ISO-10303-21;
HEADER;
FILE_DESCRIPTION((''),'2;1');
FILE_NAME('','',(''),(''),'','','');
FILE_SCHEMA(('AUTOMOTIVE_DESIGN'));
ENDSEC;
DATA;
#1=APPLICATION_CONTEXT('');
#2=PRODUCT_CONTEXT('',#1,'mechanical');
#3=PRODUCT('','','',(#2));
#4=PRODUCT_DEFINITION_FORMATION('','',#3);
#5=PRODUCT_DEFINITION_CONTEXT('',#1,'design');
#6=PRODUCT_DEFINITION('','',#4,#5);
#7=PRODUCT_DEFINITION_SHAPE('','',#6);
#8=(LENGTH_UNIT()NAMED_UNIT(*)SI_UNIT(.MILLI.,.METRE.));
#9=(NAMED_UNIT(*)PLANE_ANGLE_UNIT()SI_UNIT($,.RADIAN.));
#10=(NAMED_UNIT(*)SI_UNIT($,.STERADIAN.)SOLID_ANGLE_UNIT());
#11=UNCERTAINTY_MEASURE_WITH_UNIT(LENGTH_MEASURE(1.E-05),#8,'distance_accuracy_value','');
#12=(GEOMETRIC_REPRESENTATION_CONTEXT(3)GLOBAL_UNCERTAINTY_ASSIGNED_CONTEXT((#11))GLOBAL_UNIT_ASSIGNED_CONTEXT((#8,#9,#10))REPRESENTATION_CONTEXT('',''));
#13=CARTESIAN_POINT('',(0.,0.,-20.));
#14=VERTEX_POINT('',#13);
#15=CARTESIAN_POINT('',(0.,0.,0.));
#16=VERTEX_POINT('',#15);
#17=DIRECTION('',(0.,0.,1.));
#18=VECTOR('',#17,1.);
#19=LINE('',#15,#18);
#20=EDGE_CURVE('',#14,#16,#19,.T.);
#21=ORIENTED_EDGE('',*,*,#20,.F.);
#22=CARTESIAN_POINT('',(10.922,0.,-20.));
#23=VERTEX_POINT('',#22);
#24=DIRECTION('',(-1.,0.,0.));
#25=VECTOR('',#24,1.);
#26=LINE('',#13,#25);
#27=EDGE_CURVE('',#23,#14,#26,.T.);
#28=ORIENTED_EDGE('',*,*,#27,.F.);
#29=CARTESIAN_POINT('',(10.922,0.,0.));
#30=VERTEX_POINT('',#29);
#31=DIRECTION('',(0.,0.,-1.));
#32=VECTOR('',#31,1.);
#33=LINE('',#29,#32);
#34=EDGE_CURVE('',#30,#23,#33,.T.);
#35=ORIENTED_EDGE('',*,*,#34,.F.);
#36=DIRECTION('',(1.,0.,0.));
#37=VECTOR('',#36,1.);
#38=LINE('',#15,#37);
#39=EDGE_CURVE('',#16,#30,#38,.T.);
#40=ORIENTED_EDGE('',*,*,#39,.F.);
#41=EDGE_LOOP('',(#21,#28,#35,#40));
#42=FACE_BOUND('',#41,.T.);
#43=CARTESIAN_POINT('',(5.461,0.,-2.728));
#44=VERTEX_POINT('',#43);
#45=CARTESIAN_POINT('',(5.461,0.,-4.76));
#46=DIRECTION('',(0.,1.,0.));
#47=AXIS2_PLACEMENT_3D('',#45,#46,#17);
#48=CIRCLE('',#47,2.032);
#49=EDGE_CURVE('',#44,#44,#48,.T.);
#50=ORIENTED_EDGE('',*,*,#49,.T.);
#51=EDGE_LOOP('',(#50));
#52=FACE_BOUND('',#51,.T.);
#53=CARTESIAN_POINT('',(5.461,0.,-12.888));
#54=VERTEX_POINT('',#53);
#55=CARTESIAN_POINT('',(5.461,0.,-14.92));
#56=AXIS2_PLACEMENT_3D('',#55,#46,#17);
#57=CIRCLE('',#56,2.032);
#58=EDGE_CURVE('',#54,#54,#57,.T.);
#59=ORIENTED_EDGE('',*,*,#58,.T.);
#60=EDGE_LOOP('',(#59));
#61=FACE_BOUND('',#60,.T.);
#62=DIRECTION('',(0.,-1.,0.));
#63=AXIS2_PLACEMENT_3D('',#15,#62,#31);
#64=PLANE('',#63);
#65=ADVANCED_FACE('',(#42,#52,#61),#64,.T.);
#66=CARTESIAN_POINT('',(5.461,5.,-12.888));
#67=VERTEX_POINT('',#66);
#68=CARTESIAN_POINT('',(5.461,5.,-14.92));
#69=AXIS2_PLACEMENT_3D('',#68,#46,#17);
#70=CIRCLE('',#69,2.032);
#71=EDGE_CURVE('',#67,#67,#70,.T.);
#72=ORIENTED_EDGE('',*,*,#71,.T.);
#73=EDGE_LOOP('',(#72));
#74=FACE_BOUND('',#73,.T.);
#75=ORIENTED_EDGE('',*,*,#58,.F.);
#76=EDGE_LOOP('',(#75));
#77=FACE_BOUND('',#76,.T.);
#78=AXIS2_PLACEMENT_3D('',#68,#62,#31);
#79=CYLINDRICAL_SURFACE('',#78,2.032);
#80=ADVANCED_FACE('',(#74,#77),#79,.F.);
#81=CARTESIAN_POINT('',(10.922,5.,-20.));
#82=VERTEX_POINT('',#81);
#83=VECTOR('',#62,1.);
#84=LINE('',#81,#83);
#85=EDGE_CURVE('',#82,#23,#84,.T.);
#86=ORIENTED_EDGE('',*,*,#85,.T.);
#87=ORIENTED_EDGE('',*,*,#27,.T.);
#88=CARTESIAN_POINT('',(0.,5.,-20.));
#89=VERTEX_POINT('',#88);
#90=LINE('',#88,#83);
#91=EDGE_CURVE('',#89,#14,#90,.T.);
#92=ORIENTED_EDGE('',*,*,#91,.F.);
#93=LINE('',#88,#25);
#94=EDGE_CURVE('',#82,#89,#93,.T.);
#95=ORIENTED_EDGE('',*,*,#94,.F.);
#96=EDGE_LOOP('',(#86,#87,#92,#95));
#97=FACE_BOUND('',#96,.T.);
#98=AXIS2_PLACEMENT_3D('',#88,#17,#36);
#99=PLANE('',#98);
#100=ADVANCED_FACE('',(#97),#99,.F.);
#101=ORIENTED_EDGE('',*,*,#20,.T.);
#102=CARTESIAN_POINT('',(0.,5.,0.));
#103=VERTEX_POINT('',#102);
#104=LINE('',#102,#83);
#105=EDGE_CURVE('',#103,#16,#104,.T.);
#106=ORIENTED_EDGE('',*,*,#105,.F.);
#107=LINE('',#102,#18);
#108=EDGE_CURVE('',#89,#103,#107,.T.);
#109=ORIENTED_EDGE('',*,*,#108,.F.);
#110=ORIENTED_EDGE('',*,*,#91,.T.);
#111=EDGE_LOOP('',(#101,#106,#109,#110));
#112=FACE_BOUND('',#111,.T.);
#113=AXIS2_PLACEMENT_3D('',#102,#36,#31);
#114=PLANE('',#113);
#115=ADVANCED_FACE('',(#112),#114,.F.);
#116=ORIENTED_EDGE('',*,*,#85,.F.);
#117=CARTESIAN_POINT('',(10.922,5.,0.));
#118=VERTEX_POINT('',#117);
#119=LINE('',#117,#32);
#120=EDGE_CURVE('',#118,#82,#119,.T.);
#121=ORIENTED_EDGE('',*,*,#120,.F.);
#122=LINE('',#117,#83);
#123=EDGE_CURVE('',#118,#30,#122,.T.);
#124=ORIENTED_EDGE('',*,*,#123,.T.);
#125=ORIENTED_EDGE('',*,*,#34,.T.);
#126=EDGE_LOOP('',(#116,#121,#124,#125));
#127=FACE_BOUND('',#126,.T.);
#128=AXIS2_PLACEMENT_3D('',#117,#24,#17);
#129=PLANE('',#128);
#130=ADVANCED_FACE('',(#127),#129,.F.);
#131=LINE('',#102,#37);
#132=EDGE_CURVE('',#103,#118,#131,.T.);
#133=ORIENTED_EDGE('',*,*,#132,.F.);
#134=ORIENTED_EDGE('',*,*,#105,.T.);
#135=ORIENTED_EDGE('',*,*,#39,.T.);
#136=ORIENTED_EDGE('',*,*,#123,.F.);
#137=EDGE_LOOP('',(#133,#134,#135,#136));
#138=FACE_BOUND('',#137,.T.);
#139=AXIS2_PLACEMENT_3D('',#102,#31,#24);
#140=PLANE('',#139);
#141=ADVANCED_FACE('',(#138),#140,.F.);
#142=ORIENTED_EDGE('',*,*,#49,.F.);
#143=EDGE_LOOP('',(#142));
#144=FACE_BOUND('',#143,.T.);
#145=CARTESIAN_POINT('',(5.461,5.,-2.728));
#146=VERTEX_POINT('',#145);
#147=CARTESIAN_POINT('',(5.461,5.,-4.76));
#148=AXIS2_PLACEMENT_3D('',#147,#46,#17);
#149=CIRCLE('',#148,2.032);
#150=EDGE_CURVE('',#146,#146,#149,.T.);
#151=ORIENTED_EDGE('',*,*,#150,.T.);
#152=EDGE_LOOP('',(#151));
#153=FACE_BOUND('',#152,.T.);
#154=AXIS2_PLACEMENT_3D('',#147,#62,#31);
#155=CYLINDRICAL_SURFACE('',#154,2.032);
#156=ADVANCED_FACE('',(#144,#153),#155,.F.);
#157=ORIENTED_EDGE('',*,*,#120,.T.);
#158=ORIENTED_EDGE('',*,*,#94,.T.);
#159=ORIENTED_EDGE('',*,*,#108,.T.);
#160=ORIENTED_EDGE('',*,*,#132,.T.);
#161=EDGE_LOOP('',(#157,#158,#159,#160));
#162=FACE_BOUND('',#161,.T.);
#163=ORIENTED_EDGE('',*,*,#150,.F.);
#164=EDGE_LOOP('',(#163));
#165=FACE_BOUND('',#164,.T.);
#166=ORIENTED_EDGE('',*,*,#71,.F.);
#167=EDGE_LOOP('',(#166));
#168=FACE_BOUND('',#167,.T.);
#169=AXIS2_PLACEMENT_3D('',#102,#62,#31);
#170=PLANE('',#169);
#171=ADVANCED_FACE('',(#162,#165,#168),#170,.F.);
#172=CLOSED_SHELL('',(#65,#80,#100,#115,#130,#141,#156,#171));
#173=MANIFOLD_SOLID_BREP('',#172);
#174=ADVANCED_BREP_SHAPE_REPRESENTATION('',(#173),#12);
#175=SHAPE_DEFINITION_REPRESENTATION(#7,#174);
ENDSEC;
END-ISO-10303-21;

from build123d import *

# Parameters (mm, degrees)
SKETCH1_W           = 10.922
SKETCH1_H           = 20
SKETCH1_R           = 2.032
BOSS_EXTRUDE1_DEPTH = 5


with BuildPart() as part:
    # Sketch1 → Boss-Extrude1 (new body)
    with BuildSketch(Plane(origin=(0, 0, 0), x_dir=(1, 0, 0), z_dir=(0, 1, 0))):
        with Locations((5.461, 10)):
            Rectangle(SKETCH1_W, SKETCH1_H)
        with Locations((5.461, 14.92)):
            Circle(SKETCH1_R, mode=Mode.SUBTRACT)
        with Locations((5.461, 4.76)):
            Circle(SKETCH1_R, mode=Mode.SUBTRACT)
    extrude(amount=BOSS_EXTRUDE1_DEPTH)


solid = part.part
